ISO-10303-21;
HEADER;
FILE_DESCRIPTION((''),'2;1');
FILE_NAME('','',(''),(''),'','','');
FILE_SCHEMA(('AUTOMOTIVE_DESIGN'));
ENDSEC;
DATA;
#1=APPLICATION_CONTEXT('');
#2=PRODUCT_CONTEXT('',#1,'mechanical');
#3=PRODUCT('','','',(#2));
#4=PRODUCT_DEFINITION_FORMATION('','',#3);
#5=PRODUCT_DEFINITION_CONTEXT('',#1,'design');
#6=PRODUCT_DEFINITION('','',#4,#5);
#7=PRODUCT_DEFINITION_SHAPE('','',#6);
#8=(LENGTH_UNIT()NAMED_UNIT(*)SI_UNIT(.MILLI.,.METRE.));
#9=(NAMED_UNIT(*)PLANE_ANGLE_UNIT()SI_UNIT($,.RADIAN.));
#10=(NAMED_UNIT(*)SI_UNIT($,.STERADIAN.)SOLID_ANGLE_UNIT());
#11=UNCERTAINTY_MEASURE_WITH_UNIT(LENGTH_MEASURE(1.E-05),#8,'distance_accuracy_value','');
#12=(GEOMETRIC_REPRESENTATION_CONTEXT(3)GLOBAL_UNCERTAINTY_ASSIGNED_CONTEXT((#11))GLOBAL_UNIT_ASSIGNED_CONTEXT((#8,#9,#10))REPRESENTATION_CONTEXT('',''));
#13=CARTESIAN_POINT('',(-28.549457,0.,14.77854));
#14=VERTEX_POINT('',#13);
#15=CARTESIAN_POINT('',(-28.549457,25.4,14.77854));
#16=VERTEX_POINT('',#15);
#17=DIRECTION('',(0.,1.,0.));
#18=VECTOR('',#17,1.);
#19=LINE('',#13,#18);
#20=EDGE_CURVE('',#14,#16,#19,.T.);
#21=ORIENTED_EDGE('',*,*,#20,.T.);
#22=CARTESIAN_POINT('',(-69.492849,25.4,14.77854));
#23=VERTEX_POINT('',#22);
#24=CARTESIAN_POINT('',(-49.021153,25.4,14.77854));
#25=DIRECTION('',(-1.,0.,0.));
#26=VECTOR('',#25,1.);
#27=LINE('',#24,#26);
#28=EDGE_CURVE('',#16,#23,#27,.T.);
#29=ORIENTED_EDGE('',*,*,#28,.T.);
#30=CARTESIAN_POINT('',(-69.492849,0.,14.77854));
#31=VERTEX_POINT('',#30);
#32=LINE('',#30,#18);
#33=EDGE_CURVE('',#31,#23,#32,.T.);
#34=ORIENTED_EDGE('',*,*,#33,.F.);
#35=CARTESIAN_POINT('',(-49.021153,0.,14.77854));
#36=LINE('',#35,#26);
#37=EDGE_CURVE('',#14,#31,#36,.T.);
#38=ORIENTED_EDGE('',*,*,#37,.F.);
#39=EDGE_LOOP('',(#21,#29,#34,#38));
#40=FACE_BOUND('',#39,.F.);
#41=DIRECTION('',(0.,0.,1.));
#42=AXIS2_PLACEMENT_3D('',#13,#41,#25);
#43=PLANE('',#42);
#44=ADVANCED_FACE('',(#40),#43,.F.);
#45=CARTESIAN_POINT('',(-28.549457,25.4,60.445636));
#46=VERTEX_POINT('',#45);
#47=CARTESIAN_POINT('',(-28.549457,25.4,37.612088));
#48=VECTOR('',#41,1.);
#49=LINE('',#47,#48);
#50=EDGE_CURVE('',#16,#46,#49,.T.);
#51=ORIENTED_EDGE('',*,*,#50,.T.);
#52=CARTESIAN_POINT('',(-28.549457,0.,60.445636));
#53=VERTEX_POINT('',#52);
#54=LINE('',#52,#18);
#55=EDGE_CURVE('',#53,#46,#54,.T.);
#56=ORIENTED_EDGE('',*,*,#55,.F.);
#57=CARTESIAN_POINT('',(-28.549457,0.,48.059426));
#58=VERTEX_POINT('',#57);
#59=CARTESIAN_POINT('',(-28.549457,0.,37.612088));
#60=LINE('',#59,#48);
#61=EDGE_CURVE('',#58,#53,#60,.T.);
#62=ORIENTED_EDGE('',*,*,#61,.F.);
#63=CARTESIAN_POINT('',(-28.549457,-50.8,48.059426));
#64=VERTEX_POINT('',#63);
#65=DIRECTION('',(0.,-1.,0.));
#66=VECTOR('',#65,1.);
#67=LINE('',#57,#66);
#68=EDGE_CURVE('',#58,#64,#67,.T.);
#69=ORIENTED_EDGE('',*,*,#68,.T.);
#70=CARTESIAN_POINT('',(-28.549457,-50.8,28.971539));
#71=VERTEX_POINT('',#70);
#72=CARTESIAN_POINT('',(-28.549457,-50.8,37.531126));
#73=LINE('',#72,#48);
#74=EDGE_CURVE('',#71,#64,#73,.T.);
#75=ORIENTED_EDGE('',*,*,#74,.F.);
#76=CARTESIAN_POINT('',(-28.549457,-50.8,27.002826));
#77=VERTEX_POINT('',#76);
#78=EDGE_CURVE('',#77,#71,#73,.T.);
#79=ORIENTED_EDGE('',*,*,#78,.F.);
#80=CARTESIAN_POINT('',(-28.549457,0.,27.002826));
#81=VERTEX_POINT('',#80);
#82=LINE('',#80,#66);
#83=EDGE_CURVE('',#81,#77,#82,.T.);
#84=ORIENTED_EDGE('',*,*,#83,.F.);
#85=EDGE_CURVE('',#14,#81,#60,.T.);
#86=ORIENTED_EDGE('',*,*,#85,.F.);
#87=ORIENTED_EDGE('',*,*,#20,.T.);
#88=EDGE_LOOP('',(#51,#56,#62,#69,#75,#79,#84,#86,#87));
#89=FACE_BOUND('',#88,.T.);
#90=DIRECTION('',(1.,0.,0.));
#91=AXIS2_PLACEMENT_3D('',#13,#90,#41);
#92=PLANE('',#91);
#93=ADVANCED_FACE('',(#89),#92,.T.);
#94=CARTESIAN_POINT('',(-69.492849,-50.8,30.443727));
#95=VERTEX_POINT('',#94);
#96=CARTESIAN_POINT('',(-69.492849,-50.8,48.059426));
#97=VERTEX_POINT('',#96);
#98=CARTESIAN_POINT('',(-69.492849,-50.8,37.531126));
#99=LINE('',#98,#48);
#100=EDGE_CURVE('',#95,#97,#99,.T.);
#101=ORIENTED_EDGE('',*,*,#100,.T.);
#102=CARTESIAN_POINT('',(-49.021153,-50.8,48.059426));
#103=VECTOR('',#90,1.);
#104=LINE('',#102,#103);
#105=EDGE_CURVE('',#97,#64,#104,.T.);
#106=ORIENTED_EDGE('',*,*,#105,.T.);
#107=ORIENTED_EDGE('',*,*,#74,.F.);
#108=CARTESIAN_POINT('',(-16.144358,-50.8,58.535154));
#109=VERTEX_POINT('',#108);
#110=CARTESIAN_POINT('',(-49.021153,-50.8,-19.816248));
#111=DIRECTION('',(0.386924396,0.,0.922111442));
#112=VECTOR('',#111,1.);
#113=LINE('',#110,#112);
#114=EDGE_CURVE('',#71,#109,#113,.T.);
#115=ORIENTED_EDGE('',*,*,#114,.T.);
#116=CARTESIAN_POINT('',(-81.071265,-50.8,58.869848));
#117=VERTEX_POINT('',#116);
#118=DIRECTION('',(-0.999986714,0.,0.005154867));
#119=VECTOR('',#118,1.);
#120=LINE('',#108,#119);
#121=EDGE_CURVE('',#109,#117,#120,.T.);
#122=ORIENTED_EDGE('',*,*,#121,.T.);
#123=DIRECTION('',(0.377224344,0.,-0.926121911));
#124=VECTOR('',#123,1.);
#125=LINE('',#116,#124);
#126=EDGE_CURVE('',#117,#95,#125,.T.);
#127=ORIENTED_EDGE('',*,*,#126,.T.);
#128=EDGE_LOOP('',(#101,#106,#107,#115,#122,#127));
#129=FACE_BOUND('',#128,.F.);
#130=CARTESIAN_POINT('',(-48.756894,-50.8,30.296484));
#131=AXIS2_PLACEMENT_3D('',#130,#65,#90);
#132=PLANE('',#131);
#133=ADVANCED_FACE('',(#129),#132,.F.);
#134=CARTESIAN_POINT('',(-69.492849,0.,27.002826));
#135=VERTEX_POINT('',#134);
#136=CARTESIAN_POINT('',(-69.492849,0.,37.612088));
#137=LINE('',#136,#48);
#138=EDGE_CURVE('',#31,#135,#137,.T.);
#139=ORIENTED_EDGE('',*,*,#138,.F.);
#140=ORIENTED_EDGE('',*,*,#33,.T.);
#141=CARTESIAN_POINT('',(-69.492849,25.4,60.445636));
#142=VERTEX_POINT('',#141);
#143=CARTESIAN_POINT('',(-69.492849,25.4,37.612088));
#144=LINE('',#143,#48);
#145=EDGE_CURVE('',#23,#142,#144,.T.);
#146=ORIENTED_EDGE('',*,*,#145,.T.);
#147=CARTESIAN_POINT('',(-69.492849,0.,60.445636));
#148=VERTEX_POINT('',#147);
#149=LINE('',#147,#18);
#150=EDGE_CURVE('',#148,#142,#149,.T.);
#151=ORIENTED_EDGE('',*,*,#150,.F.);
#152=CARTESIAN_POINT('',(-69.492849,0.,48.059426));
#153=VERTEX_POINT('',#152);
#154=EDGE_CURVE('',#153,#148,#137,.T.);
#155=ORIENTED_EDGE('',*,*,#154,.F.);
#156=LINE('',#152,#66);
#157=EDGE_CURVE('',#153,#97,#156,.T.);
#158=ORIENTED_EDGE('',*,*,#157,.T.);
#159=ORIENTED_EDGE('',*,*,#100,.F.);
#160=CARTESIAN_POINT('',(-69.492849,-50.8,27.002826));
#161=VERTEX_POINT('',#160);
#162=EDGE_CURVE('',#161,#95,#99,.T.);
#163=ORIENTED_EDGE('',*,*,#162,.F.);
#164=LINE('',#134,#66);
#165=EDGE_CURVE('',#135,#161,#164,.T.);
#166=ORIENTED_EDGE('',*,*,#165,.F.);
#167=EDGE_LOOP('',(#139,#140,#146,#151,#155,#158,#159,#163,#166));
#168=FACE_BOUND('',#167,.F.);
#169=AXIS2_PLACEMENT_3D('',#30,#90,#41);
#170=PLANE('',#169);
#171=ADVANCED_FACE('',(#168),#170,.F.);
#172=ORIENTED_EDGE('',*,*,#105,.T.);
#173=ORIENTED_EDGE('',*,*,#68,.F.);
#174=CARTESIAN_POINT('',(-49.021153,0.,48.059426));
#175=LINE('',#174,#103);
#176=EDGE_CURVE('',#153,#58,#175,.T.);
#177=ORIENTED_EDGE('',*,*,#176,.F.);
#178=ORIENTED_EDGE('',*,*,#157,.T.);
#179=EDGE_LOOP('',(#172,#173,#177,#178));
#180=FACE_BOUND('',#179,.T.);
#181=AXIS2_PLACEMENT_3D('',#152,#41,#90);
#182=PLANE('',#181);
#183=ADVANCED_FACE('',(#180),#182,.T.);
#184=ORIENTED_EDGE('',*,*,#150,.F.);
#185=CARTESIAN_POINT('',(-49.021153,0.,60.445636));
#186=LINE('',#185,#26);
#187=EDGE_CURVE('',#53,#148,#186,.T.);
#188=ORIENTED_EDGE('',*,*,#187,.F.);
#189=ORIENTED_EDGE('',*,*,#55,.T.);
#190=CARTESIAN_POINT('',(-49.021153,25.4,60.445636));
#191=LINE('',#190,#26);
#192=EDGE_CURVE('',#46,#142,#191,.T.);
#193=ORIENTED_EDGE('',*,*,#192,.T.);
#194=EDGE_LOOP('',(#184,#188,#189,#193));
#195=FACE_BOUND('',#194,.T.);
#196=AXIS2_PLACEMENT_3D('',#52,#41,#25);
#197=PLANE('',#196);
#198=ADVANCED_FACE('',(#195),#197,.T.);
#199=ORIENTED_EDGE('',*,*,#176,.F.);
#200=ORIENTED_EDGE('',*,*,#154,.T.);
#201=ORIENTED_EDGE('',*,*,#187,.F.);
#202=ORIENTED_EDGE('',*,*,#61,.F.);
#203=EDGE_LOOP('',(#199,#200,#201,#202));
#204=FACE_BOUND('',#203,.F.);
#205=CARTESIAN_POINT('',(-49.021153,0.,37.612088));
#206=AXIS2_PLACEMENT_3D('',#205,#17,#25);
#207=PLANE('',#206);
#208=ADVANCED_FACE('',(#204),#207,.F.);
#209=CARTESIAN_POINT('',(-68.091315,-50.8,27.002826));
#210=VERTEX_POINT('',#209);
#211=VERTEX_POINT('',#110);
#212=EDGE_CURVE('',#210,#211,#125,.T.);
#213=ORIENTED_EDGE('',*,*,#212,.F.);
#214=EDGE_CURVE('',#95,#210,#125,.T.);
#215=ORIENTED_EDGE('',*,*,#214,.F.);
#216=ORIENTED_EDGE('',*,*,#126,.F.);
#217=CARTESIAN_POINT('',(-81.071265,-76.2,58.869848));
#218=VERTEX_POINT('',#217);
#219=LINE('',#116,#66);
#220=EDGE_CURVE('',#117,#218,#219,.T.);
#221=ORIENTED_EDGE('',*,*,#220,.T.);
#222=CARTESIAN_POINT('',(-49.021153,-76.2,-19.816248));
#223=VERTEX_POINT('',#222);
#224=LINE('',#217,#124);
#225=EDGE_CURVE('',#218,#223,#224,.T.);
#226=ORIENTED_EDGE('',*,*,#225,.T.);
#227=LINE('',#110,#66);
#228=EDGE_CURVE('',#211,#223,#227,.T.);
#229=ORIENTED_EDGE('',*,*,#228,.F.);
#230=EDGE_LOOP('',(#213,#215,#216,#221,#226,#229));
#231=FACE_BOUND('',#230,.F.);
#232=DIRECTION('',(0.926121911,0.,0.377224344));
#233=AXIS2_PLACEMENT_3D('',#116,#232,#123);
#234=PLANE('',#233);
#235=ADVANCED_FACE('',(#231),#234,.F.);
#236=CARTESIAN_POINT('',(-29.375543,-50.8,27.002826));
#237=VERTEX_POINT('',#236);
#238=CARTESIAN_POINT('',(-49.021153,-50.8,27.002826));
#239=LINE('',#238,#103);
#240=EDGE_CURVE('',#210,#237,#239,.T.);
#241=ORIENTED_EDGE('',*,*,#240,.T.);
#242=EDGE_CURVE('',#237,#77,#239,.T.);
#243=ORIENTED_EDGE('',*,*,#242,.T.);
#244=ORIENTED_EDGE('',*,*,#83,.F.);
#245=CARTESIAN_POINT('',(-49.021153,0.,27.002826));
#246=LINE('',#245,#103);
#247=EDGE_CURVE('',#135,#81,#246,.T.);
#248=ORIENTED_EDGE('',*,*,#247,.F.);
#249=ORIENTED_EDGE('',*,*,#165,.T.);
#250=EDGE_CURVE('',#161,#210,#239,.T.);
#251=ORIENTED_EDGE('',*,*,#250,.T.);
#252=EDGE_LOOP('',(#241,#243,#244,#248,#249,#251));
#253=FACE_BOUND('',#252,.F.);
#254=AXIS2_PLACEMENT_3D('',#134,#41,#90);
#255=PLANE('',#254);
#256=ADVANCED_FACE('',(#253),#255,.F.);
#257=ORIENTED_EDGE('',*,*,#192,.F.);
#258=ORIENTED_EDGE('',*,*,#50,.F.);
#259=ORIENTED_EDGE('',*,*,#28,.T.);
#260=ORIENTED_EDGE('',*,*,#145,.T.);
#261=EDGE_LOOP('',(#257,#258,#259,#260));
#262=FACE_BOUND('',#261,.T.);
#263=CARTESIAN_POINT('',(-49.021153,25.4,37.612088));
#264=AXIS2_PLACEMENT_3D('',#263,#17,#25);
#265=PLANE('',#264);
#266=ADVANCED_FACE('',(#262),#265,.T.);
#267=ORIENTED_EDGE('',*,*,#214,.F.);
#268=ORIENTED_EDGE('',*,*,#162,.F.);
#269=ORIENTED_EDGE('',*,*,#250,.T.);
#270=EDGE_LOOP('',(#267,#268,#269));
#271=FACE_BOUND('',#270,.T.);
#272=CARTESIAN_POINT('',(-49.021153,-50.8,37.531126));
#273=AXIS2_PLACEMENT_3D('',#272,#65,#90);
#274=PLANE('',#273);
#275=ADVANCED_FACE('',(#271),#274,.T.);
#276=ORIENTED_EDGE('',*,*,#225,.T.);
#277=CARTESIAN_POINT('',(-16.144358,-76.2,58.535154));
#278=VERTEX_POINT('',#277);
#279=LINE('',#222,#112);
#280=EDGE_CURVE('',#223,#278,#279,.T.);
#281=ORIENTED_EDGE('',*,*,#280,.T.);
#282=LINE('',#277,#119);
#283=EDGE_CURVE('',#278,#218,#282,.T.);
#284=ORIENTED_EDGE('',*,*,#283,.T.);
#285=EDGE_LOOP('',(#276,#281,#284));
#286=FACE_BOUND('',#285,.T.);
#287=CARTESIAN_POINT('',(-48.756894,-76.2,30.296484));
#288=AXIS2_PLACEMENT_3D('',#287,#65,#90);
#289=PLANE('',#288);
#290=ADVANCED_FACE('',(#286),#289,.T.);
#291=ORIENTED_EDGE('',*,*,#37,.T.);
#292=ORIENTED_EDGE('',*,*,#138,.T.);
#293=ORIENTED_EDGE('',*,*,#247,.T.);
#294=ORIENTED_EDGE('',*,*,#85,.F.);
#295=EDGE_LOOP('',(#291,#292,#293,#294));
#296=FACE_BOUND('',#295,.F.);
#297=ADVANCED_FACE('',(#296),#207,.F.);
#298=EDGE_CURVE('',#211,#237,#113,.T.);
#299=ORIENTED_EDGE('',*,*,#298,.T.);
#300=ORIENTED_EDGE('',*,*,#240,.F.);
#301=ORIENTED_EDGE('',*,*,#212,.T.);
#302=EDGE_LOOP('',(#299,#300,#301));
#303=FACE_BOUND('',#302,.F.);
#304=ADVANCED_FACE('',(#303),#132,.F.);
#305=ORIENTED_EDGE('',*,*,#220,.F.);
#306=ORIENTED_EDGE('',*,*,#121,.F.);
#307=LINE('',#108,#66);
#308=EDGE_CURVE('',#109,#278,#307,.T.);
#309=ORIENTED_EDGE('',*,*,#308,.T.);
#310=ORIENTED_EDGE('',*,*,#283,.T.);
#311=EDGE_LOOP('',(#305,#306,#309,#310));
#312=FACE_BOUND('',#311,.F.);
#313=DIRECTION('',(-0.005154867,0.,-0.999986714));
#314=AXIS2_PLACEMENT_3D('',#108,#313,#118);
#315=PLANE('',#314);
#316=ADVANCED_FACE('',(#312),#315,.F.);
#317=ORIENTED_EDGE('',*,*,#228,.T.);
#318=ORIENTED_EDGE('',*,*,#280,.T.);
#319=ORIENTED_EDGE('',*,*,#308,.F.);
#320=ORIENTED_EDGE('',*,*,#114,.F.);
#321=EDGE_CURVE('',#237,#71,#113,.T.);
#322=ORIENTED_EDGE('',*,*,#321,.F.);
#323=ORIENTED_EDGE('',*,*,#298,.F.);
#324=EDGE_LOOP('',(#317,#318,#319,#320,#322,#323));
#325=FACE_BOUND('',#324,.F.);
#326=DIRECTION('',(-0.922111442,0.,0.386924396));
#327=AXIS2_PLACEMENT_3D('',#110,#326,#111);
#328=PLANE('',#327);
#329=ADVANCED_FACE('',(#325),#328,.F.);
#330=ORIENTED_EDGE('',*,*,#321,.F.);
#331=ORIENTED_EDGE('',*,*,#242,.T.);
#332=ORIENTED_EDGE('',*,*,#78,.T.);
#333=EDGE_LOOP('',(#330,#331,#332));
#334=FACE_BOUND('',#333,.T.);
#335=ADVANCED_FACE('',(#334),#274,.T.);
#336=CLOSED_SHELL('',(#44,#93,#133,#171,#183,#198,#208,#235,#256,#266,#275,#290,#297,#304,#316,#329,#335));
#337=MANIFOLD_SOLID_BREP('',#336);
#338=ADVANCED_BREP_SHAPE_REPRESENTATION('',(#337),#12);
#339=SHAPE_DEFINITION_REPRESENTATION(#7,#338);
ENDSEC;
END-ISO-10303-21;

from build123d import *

# Parameters (mm, degrees)
F0_W     = 40.943392
F0_H     = 21.0566
F1_DEPTH = 50.8
F3_DEPTH = 25.4
F4_W     = 40.943392
F4_H     = 45.667097
F5_DEPTH = 25.4


with BuildPart() as f1:
    # F0 (on Front) → F1 (new body)
    with BuildSketch(Plane.XZ):
        with Locations((-49.021153, 37.531126)):
            Rectangle(F0_W, F0_H)
    extrude(amount=F1_DEPTH)

    # F2 (on face) → F3 (join)
    with BuildSketch(Plane.XZ.offset(50.8)):
        Polygon((-16.144358, 58.535154), (-81.071265, 58.869848), (-49.021153, -19.816248), align=None)
    extrude(amount=F3_DEPTH)

    # F4 (on face) → F5 (join)
    with BuildSketch(Plane(origin=(0, 0, 0), x_dir=(-1, 0, 0), z_dir=(0, 1, 0))):
        with Locations((49.021153, 37.612088)):
            Rectangle(F4_W, F4_H)
    extrude(amount=F5_DEPTH)


solid = f1.part
